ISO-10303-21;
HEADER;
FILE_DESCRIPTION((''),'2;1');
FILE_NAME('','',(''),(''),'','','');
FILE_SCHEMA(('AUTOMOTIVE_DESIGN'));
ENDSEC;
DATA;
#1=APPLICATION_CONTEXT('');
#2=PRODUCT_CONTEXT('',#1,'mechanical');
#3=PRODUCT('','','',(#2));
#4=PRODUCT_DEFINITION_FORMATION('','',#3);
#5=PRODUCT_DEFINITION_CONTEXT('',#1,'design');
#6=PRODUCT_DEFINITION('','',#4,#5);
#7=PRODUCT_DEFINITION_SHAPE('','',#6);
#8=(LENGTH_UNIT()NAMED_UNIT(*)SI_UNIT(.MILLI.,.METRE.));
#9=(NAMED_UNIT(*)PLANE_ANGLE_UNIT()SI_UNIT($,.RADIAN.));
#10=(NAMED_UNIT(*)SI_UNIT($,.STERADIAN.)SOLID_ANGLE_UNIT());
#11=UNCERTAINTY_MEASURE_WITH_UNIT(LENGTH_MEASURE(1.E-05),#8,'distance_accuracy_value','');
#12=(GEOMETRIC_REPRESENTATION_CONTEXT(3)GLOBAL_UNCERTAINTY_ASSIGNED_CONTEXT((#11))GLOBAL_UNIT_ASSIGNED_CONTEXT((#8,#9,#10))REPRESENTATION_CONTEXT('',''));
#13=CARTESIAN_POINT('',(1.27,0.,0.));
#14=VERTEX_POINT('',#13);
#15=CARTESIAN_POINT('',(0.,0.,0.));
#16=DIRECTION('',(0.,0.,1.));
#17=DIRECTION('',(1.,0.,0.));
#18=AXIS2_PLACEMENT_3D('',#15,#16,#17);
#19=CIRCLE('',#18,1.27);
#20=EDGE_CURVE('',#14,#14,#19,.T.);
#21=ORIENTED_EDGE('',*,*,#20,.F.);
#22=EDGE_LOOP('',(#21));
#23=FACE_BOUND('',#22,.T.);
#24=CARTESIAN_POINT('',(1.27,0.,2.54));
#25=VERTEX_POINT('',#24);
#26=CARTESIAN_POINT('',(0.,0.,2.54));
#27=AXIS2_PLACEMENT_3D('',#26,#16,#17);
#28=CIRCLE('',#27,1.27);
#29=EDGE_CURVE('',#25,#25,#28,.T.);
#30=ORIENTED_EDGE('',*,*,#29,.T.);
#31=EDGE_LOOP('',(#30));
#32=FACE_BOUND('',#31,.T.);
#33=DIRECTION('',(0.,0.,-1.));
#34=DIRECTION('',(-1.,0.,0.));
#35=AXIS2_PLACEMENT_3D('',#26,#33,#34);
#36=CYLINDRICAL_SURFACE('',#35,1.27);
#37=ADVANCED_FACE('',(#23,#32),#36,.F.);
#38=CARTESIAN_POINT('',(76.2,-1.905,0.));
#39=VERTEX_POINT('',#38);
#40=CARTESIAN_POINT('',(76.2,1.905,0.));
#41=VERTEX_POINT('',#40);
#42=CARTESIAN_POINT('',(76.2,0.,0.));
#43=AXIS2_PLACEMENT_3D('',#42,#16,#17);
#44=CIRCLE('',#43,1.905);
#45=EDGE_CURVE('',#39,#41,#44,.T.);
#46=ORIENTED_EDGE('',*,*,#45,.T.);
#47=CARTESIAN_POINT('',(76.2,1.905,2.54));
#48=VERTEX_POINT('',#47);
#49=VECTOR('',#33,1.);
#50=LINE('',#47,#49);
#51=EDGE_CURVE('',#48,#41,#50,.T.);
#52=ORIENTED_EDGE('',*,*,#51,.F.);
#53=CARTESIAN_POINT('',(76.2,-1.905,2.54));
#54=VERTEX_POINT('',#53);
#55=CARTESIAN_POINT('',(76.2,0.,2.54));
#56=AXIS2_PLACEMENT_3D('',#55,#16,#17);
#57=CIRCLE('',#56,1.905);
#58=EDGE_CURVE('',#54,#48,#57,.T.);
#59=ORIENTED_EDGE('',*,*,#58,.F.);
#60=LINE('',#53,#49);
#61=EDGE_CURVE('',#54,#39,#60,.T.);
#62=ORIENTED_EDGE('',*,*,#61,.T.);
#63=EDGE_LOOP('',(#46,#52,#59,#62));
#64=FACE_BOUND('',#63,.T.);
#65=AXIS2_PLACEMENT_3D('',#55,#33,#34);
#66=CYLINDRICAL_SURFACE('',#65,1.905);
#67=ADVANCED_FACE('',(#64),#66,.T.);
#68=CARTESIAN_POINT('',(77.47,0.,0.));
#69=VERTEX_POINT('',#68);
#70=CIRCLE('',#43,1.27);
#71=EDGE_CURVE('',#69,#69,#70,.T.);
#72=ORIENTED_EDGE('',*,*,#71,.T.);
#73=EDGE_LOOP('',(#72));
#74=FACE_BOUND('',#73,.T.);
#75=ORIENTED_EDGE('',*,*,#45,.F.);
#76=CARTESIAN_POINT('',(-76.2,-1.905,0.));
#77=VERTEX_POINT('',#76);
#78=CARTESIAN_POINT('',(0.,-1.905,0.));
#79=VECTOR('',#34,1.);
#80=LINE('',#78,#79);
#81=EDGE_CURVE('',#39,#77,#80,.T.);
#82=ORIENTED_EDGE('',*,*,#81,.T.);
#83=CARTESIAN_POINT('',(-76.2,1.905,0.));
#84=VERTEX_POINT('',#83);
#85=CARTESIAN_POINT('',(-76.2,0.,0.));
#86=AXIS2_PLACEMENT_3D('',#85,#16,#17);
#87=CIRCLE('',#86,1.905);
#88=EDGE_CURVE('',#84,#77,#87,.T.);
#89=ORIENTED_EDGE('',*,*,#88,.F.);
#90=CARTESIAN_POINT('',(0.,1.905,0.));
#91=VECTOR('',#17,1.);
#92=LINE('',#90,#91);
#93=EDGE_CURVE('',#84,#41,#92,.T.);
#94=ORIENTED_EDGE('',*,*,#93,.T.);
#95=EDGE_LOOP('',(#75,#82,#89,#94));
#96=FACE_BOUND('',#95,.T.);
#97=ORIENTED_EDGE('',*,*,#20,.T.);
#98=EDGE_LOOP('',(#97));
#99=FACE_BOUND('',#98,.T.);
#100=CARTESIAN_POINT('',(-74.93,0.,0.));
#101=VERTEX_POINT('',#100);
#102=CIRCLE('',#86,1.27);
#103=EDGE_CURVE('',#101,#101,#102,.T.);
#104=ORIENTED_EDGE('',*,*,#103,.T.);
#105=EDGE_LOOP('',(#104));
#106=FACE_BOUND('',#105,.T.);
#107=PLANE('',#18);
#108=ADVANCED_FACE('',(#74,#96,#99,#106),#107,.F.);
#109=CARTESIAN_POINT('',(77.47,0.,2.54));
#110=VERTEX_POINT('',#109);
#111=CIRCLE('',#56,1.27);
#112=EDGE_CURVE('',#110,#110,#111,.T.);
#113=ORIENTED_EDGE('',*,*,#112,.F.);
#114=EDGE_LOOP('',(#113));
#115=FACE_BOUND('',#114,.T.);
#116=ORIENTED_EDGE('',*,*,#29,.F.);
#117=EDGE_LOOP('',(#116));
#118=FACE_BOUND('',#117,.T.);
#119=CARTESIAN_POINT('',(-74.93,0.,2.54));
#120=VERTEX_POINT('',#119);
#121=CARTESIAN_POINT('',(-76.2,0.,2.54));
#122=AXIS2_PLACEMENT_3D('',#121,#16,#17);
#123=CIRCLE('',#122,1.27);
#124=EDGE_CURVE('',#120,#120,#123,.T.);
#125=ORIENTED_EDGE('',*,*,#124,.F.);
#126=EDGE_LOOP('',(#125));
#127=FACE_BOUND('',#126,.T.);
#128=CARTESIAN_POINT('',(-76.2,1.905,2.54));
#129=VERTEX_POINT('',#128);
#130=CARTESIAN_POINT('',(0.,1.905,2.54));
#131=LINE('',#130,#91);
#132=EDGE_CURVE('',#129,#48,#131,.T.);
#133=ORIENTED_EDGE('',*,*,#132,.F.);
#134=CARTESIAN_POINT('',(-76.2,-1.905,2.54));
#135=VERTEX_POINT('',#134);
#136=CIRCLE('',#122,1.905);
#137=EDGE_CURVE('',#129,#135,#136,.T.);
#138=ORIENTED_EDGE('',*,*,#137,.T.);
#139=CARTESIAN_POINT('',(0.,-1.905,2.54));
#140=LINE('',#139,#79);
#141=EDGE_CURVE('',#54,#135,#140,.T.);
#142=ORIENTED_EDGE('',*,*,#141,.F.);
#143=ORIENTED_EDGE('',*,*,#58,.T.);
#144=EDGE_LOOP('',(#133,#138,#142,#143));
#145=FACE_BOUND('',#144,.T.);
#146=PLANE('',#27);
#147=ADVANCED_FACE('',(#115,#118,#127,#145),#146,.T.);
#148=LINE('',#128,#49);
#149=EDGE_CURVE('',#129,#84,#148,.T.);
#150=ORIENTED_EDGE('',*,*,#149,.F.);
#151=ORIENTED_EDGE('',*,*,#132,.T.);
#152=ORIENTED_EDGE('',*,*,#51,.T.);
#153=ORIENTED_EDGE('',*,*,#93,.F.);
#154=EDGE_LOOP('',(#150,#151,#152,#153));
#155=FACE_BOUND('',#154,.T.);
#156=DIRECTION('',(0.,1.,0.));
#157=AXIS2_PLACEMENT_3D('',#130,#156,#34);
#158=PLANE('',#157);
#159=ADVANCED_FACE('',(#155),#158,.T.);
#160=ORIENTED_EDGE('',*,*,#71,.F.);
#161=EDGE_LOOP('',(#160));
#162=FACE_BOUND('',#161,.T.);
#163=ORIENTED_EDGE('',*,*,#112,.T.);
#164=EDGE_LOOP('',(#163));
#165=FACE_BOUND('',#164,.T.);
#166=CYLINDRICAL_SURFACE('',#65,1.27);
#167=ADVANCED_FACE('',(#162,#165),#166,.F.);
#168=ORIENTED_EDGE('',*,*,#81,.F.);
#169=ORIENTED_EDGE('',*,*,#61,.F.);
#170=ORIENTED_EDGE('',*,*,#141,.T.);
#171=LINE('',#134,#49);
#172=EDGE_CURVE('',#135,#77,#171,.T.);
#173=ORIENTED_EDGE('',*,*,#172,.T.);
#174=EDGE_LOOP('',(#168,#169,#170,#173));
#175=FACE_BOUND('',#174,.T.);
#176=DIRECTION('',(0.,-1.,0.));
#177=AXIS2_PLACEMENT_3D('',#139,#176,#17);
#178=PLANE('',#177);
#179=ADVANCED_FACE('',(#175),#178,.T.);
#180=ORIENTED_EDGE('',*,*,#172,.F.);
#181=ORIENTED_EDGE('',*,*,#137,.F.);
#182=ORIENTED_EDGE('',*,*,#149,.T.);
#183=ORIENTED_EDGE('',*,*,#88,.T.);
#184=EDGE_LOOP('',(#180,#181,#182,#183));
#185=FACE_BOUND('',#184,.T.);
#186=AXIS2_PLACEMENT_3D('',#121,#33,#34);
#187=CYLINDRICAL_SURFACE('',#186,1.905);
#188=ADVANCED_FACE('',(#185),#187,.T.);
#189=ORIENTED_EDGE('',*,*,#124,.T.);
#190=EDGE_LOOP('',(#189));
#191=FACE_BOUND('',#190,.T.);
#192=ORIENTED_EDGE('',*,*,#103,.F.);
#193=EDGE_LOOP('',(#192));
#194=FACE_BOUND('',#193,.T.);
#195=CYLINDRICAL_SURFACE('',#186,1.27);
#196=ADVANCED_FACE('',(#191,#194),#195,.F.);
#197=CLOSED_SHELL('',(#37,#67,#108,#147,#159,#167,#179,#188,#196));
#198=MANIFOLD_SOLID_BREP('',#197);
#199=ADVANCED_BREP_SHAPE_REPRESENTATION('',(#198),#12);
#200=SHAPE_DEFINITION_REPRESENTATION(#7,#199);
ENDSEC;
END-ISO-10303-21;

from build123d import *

# Parameters (mm, degrees)
SKETCH2_R           = 1.905
SKETCH2_R_2         = 1.27
BOSS_EXTRUDE1_DEPTH = 2.54


with BuildPart() as part:
    # Sketch2 → Boss-Extrude1 (new body)
    # profile 1 of 5: a face of its own
    with BuildSketch(Plane.XY):
        with BuildLine():
            Line((0, 1.905), (-76.2, 1.905))
            ThreePointArc((-76.2, 1.905), (-74.852961582, 1.347038418), (-74.295, 0))
            ThreePointArc((-74.295, 0), (-74.852961582, -1.347038418), (-76.2, -1.905))
            Line((-76.2, -1.905), (-1.9e-08, -1.905))
            ThreePointArc((-1.9e-08, -1.905), (-1.905, 9e-09), (0, 1.905))
        make_face()
    # profile 2 of 5: a face of its own
    with BuildSketch(Plane.XY):
        with Locations((-76.2, 0)):
            Circle(SKETCH2_R)
        with Locations((-76.2, 0)):
            Circle(SKETCH2_R_2, mode=Mode.SUBTRACT)
    # profile 3 of 5: a face of its own
    with BuildSketch(Plane.XY):
        with BuildLine():
            Line((76.2, 1.905), (0, 1.905))
            ThreePointArc((0, 1.905), (1.347038418, 1.347038418), (1.905, 0))
            ThreePointArc((1.905, 0), (1.347038412, -1.347038425), (-1.9e-08, -1.905))
            Line((-1.9e-08, -1.905), (76.2, -1.905))
            ThreePointArc((76.2, -1.905), (74.295, 0), (76.2, 1.905))
        make_face()
    # profile 4 of 5: a face of its own
    with BuildSketch(Plane.XY):
        with Locations((76.2, 0)):
            Circle(SKETCH2_R)
        with Locations((76.2, 0)):
            Circle(SKETCH2_R_2, mode=Mode.SUBTRACT)
    # profile 5 of 5: a face of its own
    with BuildSketch(Plane.XY):
        Circle(SKETCH2_R)
        Circle(SKETCH2_R_2, mode=Mode.SUBTRACT)
    extrude(amount=BOSS_EXTRUDE1_DEPTH)


solid = part.part
